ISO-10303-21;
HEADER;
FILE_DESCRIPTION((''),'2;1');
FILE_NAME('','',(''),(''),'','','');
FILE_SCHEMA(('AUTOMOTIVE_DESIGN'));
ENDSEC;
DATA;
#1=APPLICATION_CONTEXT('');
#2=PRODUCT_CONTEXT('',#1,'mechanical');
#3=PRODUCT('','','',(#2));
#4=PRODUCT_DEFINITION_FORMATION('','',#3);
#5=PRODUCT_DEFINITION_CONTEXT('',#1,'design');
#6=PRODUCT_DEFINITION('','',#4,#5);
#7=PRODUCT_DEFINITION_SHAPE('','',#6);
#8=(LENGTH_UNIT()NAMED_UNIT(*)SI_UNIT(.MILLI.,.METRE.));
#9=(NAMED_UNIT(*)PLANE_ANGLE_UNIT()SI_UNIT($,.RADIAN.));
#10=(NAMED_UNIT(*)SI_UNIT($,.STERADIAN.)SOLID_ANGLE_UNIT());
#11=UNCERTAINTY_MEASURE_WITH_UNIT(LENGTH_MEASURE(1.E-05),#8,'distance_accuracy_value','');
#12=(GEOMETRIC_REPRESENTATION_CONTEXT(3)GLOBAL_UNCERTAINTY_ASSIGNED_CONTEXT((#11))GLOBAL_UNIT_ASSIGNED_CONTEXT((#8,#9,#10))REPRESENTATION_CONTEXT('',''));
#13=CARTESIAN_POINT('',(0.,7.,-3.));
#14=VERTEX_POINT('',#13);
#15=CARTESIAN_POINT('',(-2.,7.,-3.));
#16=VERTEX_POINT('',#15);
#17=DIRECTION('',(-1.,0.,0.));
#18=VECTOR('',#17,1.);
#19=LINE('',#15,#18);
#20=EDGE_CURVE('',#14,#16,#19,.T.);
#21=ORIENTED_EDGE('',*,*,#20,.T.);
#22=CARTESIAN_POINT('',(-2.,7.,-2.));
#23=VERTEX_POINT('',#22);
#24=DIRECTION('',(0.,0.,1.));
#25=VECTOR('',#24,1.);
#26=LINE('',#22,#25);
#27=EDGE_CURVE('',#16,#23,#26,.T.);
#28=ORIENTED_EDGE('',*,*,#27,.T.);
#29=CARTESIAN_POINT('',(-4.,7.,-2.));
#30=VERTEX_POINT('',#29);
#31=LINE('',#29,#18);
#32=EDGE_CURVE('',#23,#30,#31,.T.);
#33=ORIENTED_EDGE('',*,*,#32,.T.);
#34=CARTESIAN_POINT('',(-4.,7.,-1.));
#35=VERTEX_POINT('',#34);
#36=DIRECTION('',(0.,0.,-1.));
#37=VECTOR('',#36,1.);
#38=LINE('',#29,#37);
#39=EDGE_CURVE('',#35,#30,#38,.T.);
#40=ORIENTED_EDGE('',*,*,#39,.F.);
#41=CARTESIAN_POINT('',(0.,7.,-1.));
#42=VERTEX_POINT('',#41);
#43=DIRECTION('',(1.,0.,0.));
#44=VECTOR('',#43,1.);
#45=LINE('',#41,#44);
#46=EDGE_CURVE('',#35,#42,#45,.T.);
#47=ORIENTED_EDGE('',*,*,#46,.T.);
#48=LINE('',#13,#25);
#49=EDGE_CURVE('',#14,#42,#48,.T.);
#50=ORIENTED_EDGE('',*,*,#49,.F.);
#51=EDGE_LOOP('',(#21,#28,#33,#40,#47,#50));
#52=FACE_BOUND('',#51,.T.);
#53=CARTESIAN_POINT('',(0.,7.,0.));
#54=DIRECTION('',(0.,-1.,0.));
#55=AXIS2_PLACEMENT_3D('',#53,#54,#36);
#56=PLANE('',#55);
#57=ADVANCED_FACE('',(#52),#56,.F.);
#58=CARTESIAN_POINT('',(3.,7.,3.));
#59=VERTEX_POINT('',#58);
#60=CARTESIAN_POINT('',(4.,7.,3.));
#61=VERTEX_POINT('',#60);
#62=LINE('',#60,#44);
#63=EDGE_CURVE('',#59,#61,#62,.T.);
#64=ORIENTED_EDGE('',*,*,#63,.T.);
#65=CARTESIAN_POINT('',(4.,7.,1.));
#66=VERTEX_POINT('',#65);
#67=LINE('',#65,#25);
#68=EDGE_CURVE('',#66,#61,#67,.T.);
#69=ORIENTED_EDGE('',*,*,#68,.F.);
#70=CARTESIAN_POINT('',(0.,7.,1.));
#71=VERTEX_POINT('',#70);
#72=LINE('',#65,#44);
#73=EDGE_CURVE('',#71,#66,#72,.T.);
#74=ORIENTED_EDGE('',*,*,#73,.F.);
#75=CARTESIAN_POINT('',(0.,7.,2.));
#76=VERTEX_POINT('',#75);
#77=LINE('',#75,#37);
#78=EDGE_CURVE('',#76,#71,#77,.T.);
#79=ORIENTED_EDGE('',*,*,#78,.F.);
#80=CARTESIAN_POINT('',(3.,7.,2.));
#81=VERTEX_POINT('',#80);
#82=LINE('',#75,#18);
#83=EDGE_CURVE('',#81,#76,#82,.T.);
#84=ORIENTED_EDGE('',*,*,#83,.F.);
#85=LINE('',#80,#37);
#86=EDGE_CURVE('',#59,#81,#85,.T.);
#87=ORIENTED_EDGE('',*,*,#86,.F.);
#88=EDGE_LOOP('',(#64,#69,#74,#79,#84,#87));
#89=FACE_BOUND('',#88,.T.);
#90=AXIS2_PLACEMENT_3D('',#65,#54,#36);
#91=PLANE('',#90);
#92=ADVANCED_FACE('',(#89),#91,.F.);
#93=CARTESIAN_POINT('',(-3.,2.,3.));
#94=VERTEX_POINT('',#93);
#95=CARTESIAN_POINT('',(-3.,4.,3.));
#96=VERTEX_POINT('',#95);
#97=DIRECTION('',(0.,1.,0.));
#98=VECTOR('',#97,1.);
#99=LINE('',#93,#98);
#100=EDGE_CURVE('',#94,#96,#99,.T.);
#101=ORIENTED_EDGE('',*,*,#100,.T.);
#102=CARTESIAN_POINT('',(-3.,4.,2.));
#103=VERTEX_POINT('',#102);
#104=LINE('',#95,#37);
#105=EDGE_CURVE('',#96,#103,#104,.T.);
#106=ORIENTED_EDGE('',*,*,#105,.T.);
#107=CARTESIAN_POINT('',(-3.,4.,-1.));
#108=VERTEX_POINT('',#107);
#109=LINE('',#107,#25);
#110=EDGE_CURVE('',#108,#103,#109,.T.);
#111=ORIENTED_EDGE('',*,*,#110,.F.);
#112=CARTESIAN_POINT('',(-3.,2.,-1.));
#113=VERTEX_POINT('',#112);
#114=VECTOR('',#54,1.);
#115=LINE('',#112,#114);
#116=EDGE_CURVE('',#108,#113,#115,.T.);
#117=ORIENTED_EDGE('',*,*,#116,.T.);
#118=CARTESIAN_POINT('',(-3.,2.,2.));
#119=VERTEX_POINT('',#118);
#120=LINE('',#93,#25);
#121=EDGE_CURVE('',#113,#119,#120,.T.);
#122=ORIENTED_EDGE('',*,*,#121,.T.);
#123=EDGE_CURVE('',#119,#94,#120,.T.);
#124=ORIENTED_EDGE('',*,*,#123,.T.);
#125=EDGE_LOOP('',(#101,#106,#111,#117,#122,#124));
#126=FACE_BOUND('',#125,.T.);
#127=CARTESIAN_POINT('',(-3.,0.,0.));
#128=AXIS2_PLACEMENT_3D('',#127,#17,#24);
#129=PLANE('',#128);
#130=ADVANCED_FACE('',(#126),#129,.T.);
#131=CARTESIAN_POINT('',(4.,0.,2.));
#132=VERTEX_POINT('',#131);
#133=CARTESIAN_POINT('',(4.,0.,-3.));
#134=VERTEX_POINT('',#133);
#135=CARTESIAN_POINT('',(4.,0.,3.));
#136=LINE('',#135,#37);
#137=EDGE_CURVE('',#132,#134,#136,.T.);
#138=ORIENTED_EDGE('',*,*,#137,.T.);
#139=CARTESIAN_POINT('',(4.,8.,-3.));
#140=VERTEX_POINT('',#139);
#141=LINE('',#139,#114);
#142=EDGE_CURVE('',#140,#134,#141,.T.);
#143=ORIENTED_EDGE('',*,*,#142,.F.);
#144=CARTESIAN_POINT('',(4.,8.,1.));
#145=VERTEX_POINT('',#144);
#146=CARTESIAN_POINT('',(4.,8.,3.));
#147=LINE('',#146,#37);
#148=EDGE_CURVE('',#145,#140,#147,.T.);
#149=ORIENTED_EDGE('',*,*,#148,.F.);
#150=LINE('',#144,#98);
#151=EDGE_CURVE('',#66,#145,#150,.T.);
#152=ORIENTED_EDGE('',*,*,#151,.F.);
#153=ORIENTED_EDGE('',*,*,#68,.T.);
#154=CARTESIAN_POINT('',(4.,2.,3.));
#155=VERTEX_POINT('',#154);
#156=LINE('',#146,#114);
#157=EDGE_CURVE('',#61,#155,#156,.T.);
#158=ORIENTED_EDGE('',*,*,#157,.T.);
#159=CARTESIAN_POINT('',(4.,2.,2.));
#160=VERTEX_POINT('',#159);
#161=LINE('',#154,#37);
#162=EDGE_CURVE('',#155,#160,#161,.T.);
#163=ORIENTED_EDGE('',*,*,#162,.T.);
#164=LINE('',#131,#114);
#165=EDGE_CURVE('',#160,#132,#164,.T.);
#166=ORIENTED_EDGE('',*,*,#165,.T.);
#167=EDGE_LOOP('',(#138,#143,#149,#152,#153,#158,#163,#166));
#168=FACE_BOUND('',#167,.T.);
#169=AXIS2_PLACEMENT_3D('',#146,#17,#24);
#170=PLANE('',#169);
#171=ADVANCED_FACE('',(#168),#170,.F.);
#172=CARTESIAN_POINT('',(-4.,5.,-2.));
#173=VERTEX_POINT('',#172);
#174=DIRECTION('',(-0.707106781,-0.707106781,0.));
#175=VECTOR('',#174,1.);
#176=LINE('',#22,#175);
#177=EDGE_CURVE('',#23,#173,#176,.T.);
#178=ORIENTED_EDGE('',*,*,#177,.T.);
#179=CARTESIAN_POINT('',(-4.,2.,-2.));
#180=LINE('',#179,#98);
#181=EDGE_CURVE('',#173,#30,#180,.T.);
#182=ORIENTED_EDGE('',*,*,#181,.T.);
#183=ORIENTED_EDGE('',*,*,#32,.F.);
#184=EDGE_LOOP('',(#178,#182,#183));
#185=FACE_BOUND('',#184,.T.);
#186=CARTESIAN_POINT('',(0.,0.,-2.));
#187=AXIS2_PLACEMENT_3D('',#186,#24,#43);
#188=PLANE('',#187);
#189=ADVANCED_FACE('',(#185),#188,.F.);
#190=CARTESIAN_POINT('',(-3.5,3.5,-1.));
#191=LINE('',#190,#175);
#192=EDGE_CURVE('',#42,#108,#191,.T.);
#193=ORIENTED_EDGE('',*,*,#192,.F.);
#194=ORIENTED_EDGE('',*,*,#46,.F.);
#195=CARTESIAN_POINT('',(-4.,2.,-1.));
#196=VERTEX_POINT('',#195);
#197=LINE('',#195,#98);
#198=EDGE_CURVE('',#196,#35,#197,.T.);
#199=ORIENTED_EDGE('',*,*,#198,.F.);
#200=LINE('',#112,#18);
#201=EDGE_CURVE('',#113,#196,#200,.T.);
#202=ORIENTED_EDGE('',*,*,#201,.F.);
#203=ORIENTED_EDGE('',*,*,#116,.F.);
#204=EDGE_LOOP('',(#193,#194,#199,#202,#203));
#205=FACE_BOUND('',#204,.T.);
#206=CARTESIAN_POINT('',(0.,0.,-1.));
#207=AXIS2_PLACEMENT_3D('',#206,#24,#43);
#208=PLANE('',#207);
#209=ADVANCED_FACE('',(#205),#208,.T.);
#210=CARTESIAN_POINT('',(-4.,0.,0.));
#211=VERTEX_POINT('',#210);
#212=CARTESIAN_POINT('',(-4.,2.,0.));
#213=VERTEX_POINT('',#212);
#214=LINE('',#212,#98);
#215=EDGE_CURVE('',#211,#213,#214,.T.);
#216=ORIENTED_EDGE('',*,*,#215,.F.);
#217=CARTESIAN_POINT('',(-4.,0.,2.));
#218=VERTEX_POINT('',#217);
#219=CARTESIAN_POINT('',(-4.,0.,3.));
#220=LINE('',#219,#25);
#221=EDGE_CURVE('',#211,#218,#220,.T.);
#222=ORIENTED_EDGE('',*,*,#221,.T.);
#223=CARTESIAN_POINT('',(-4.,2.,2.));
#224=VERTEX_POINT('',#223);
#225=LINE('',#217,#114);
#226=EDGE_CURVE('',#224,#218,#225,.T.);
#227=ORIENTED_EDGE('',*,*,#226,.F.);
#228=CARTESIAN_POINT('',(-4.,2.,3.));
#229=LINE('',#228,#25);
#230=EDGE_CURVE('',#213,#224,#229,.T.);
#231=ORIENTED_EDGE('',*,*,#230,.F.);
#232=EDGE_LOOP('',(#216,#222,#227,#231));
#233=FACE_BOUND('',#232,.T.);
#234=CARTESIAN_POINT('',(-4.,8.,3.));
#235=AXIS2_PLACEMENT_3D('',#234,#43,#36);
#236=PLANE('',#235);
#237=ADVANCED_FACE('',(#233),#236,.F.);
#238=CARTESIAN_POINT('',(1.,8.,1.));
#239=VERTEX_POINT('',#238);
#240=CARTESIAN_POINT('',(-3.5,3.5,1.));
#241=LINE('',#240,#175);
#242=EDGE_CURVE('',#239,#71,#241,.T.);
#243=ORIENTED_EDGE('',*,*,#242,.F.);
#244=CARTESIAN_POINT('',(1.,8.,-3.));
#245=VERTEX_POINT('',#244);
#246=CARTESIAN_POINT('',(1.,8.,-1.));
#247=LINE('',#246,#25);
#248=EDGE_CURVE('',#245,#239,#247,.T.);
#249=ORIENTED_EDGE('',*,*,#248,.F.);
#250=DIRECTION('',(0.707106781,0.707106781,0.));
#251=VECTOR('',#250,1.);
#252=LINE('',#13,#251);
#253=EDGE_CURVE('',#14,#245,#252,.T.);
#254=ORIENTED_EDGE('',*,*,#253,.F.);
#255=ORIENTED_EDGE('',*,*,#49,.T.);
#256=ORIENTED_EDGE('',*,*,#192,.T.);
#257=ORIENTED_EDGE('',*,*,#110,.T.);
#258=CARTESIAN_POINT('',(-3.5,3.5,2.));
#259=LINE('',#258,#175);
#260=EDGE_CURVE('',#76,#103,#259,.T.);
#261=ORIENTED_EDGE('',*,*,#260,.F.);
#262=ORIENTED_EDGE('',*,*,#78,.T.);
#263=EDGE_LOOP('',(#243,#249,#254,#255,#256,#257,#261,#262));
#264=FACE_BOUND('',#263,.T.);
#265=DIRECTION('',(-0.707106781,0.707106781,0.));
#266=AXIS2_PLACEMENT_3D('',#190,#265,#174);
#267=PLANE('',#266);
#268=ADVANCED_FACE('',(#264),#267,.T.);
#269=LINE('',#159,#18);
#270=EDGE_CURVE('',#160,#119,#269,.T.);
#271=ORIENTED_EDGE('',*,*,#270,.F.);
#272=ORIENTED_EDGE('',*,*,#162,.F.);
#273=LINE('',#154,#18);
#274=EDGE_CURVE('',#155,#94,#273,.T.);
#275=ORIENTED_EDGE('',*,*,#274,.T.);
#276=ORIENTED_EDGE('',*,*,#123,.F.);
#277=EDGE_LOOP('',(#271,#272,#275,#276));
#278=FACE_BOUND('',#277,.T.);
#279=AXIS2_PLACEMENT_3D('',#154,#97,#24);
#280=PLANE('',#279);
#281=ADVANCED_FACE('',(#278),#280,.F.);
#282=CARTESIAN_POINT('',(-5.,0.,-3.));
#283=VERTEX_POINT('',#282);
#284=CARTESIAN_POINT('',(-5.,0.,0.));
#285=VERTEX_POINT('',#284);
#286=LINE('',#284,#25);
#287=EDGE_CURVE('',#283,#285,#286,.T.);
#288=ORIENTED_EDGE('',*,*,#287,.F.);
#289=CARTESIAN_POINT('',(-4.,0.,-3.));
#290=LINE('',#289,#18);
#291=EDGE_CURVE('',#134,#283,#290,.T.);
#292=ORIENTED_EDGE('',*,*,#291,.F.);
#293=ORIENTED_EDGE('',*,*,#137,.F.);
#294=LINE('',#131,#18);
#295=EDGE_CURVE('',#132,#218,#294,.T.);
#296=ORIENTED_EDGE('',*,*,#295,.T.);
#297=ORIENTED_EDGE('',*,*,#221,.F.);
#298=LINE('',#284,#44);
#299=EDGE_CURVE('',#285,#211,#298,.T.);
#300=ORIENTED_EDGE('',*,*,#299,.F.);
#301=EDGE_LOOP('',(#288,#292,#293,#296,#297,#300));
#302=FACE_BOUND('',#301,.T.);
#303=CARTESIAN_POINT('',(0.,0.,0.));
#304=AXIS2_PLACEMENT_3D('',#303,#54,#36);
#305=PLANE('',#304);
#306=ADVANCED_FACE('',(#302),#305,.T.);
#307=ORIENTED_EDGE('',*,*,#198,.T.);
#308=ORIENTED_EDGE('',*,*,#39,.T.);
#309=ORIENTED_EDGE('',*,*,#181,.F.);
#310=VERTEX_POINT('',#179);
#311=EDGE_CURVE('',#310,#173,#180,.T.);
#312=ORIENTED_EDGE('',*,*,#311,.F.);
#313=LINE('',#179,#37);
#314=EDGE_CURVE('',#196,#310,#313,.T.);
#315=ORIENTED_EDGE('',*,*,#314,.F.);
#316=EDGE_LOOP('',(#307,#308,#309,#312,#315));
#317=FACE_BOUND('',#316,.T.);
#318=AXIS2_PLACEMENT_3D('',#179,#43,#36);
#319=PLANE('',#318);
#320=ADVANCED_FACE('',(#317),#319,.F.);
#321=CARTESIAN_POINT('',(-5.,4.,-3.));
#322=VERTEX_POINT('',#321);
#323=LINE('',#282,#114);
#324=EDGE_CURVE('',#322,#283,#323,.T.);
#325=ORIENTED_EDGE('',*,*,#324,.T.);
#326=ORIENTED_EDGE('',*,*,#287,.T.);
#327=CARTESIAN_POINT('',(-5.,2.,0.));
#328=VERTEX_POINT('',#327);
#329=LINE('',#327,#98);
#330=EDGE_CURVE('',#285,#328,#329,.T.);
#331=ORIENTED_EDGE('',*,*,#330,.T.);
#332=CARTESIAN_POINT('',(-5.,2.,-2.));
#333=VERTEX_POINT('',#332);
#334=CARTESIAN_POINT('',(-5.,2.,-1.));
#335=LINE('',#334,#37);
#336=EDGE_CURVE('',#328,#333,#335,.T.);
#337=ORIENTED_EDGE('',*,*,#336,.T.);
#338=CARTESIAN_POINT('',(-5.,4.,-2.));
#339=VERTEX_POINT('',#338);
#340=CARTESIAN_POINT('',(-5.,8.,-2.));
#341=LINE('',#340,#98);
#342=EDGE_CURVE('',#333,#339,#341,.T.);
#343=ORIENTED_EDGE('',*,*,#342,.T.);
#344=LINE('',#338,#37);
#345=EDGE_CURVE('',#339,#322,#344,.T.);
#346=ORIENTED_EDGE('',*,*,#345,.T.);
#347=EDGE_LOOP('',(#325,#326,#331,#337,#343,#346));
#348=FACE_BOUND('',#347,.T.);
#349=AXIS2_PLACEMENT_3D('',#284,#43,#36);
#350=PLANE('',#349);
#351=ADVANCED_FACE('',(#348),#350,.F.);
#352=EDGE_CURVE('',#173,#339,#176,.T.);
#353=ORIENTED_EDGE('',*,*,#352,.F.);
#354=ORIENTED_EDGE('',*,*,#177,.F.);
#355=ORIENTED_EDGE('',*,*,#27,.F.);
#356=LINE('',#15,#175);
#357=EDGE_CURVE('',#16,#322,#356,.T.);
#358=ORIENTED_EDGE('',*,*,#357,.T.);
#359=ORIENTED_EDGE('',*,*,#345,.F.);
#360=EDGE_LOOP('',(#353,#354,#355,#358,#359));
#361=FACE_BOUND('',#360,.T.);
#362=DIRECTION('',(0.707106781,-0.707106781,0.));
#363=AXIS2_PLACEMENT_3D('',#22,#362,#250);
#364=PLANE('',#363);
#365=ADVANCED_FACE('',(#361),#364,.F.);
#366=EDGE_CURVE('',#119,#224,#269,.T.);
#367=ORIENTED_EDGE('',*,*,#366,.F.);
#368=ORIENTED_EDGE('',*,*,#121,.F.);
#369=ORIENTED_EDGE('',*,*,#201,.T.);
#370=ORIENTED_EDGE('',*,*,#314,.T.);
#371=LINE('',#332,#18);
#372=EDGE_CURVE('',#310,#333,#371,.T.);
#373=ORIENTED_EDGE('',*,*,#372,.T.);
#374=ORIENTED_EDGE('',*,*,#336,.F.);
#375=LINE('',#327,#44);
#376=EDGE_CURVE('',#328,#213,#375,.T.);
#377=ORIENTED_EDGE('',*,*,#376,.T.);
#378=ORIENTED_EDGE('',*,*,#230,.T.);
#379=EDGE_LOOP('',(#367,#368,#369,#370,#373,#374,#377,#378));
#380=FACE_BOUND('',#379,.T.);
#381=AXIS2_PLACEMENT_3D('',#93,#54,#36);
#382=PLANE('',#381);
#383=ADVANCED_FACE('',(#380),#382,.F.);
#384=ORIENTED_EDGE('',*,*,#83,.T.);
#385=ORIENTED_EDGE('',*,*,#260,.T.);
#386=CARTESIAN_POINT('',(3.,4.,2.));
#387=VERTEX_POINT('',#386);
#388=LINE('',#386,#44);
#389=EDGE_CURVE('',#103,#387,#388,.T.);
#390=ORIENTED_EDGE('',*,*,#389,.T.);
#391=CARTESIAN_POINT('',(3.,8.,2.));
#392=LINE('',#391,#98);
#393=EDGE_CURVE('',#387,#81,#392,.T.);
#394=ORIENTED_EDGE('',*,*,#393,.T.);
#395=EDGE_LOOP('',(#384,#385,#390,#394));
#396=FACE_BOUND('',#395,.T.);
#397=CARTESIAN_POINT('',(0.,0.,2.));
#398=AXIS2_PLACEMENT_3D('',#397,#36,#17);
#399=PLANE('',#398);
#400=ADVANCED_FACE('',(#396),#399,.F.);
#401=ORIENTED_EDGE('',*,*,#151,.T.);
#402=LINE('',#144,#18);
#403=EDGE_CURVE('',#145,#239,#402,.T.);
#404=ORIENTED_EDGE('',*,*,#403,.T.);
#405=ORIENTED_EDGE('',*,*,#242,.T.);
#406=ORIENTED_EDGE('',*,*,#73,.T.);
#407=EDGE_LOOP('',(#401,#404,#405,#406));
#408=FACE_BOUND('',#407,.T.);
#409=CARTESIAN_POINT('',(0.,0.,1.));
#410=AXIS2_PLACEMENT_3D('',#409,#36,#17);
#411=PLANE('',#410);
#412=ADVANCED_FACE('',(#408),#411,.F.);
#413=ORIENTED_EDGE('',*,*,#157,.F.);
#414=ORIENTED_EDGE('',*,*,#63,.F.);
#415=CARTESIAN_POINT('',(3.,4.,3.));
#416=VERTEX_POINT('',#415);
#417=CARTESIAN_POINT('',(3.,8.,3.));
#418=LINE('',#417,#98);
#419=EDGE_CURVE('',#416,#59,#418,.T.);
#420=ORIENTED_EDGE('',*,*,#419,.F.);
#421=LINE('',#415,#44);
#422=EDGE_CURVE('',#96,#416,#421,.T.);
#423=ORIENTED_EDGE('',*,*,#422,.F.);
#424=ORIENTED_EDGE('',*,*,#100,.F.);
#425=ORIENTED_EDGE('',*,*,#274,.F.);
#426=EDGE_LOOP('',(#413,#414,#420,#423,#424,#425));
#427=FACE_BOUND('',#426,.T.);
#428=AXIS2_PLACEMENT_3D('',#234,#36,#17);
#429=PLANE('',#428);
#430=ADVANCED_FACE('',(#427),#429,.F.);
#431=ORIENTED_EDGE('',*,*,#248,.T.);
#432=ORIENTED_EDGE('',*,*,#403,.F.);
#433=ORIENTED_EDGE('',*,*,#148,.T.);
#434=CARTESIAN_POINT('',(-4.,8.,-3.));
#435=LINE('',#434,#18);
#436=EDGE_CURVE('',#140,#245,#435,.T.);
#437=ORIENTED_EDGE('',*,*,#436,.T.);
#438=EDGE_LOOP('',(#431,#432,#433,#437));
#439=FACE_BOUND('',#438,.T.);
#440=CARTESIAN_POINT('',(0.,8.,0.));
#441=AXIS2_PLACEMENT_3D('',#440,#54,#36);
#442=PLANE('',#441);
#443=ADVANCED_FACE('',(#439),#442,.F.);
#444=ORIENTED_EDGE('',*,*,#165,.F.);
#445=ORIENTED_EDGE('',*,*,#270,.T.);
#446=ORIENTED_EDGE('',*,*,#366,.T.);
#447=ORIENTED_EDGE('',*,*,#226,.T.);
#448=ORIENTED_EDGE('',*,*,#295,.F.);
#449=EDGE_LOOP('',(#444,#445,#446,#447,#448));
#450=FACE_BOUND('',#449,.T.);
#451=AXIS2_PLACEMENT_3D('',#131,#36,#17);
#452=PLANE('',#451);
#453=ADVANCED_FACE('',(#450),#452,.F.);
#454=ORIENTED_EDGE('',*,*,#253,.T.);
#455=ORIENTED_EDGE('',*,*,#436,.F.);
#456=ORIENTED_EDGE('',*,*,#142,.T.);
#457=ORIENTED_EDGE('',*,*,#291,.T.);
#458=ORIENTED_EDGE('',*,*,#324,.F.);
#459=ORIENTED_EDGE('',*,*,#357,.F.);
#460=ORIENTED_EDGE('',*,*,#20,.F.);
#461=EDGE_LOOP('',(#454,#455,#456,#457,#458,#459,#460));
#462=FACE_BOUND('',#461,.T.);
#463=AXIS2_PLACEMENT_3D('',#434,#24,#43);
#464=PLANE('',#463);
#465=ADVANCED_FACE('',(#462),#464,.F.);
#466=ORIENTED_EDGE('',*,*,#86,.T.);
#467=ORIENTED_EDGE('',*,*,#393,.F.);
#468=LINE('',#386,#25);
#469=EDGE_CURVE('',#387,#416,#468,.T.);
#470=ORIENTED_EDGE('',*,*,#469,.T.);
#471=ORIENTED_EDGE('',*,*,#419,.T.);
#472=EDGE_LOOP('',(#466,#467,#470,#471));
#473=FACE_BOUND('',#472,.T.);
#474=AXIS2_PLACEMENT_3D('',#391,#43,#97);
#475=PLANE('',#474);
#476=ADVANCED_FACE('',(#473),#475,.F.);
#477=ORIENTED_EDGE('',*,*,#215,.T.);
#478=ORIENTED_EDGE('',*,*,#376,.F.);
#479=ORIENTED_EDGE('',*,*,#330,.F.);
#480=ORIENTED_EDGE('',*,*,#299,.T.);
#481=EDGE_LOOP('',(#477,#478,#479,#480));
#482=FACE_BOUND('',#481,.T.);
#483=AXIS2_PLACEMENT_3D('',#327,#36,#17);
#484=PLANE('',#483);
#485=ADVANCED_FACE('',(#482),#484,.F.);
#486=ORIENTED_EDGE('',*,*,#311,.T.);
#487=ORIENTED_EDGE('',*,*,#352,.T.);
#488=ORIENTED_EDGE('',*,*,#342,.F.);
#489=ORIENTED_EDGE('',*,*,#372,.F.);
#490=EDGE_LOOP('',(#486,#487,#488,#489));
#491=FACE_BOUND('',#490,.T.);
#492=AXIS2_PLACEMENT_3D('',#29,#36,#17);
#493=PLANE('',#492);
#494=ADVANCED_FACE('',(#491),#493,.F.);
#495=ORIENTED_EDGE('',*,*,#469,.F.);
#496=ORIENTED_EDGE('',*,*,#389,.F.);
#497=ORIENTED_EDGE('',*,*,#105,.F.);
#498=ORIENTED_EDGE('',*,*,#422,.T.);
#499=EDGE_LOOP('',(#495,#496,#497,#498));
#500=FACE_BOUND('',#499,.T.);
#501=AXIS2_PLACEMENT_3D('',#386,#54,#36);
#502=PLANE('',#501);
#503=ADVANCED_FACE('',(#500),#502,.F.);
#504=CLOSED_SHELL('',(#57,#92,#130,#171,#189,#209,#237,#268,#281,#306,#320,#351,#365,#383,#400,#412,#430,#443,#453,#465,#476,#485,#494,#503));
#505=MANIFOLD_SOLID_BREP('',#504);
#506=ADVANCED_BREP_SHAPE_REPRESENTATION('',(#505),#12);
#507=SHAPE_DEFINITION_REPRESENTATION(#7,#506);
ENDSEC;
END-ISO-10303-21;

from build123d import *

# Parameters (mm, degrees)
SKETCH1_W           = 8
SKETCH1_H           = 6
BOSS_EXTRUDE1_DEPTH = 8
SKETCH2_W           = 1
SKETCH2_H           = 2
CUT_EXTRUDE1_DEPTH  = 9
SKETCH3_W           = 7
SKETCH3_H           = 4
CUT_EXTRUDE2_DEPTH  = 1
SKETCH4_W           = 3
SKETCH4_H           = 1
CUT_EXTRUDE3_DEPTH  = 2
CUT_EXTRUDE4_DEPTH  = 3
SKETCH8_W           = 1
SKETCH8_H           = 1
CUT_EXTRUDE7_DEPTH  = 1
CUT_EXTRUDE8_DEPTH  = 3
CUT_EXTRUDE9_DEPTH  = 1
SKETCH14_W          = 4
SKETCH14_H          = 2
CUT_EXTRUDE12_DEPTH = 1
BOSS_EXTRUDE2_DEPTH = 1
SKETCH16_W          = 1
SKETCH16_H          = 1
CUT_EXTRUDE13_DEPTH = 5
CUT_EXTRUDE14_DEPTH = 1


with BuildPart() as part:
    # Sketch1 → Boss-Extrude1 (new body)
    with BuildSketch(Plane(origin=(0, 0, 0), x_dir=(1, 0, 0), z_dir=(0, 1, 0))):
        Rectangle(SKETCH1_W, SKETCH1_H)
    extrude(amount=BOSS_EXTRUDE1_DEPTH)

    # Sketch2 → Cut-Extrude1 (cut, through all)
    with BuildSketch(Plane.ZY.offset(4)):
        with Locations((2.5, 1)):
            Rectangle(SKETCH2_W, SKETCH2_H)
    extrude(amount=-CUT_EXTRUDE1_DEPTH, mode=Mode.SUBTRACT)

    # Sketch3 → Cut-Extrude2 (cut)
    with BuildSketch(Plane.XY.offset(3)):
        with Locations((-0.5, 6)):
            Rectangle(SKETCH3_W, SKETCH3_H)
    extrude(amount=-CUT_EXTRUDE2_DEPTH, mode=Mode.SUBTRACT)

    # Sketch4 → Cut-Extrude3 (cut)
    with BuildSketch(Plane.XY.offset(3)):
        with Locations((2.5, 7.5)):
            Rectangle(SKETCH4_W, SKETCH4_H)
    extrude(amount=-CUT_EXTRUDE3_DEPTH, mode=Mode.SUBTRACT)

    # Sketch5 → Cut-Extrude4 (cut)
    with BuildSketch(Plane.XY.offset(2)):
        Polygon((1, 8), (-3, 4), (-4, 4), (-4, 8), align=None)
    extrude(amount=-CUT_EXTRUDE4_DEPTH, mode=Mode.SUBTRACT)

    # Sketch8 → Cut-Extrude7 (cut)
    with BuildSketch(Plane(origin=(1, 0, 0), x_dir=(0, 0, -1), z_dir=(1, 0, 0))):
        with Locations((-1.5, 7.5)):
            Rectangle(SKETCH8_W, SKETCH8_H)
    extrude(amount=-CUT_EXTRUDE7_DEPTH, mode=Mode.SUBTRACT)

    # Sketch9 → Cut-Extrude8 (cut, through all)
    with BuildSketch(Plane.XY.offset(-1)):
        Polygon((0, 8), (1, 8), (0, 7), align=None)
    extrude(amount=-CUT_EXTRUDE8_DEPTH, mode=Mode.SUBTRACT)

    # Sketch10 → Cut-Extrude9 (cut)
    with BuildSketch(Plane(origin=(0, 8, 0), x_dir=(1, 0, 0), z_dir=(0, 1, 0))):
        Polygon((-4, 1), (-4, 2), (-2, 2), (-2, 3), (0, 3), (0, 1), align=None)
    extrude(amount=-CUT_EXTRUDE9_DEPTH, mode=Mode.SUBTRACT)

    # Sketch14 → Cut-Extrude12 (cut)
    with BuildSketch(Plane.ZY.offset(4)):
        with Locations((1, 3)):
            Rectangle(SKETCH14_W, SKETCH14_H)
    extrude(amount=-CUT_EXTRUDE12_DEPTH, mode=Mode.SUBTRACT)

    # Sketch15 → Boss-Extrude2 (add)
    with BuildSketch(Plane.ZY.offset(4)):
        Polygon((-3, 8), (-2, 8), (-2, 7), (-1, 7), (-1, 2), (0, 2), (0, 0), (-3, 0), align=None)
    extrude(amount=BOSS_EXTRUDE2_DEPTH)

    # Sketch16 → Cut-Extrude13 (cut)
    with BuildSketch(Plane(origin=(0, 7, 0), x_dir=(1, 0, 0), z_dir=(0, 1, 0))):
        with Locations((-4.5, 1.5)):
            Rectangle(SKETCH16_W, SKETCH16_H)
    extrude(amount=-CUT_EXTRUDE13_DEPTH, mode=Mode.SUBTRACT)

    # Sketch17 → Cut-Extrude14 (cut)
    with BuildSketch(Plane(origin=(0, 0, -3), x_dir=(-1, 0, 0), z_dir=(0, 0, -1))):
        Polygon((2, 7), (5, 4), (5, 8), (2, 8), align=None)
    extrude(amount=-CUT_EXTRUDE14_DEPTH, mode=Mode.SUBTRACT)


solid = part.part
